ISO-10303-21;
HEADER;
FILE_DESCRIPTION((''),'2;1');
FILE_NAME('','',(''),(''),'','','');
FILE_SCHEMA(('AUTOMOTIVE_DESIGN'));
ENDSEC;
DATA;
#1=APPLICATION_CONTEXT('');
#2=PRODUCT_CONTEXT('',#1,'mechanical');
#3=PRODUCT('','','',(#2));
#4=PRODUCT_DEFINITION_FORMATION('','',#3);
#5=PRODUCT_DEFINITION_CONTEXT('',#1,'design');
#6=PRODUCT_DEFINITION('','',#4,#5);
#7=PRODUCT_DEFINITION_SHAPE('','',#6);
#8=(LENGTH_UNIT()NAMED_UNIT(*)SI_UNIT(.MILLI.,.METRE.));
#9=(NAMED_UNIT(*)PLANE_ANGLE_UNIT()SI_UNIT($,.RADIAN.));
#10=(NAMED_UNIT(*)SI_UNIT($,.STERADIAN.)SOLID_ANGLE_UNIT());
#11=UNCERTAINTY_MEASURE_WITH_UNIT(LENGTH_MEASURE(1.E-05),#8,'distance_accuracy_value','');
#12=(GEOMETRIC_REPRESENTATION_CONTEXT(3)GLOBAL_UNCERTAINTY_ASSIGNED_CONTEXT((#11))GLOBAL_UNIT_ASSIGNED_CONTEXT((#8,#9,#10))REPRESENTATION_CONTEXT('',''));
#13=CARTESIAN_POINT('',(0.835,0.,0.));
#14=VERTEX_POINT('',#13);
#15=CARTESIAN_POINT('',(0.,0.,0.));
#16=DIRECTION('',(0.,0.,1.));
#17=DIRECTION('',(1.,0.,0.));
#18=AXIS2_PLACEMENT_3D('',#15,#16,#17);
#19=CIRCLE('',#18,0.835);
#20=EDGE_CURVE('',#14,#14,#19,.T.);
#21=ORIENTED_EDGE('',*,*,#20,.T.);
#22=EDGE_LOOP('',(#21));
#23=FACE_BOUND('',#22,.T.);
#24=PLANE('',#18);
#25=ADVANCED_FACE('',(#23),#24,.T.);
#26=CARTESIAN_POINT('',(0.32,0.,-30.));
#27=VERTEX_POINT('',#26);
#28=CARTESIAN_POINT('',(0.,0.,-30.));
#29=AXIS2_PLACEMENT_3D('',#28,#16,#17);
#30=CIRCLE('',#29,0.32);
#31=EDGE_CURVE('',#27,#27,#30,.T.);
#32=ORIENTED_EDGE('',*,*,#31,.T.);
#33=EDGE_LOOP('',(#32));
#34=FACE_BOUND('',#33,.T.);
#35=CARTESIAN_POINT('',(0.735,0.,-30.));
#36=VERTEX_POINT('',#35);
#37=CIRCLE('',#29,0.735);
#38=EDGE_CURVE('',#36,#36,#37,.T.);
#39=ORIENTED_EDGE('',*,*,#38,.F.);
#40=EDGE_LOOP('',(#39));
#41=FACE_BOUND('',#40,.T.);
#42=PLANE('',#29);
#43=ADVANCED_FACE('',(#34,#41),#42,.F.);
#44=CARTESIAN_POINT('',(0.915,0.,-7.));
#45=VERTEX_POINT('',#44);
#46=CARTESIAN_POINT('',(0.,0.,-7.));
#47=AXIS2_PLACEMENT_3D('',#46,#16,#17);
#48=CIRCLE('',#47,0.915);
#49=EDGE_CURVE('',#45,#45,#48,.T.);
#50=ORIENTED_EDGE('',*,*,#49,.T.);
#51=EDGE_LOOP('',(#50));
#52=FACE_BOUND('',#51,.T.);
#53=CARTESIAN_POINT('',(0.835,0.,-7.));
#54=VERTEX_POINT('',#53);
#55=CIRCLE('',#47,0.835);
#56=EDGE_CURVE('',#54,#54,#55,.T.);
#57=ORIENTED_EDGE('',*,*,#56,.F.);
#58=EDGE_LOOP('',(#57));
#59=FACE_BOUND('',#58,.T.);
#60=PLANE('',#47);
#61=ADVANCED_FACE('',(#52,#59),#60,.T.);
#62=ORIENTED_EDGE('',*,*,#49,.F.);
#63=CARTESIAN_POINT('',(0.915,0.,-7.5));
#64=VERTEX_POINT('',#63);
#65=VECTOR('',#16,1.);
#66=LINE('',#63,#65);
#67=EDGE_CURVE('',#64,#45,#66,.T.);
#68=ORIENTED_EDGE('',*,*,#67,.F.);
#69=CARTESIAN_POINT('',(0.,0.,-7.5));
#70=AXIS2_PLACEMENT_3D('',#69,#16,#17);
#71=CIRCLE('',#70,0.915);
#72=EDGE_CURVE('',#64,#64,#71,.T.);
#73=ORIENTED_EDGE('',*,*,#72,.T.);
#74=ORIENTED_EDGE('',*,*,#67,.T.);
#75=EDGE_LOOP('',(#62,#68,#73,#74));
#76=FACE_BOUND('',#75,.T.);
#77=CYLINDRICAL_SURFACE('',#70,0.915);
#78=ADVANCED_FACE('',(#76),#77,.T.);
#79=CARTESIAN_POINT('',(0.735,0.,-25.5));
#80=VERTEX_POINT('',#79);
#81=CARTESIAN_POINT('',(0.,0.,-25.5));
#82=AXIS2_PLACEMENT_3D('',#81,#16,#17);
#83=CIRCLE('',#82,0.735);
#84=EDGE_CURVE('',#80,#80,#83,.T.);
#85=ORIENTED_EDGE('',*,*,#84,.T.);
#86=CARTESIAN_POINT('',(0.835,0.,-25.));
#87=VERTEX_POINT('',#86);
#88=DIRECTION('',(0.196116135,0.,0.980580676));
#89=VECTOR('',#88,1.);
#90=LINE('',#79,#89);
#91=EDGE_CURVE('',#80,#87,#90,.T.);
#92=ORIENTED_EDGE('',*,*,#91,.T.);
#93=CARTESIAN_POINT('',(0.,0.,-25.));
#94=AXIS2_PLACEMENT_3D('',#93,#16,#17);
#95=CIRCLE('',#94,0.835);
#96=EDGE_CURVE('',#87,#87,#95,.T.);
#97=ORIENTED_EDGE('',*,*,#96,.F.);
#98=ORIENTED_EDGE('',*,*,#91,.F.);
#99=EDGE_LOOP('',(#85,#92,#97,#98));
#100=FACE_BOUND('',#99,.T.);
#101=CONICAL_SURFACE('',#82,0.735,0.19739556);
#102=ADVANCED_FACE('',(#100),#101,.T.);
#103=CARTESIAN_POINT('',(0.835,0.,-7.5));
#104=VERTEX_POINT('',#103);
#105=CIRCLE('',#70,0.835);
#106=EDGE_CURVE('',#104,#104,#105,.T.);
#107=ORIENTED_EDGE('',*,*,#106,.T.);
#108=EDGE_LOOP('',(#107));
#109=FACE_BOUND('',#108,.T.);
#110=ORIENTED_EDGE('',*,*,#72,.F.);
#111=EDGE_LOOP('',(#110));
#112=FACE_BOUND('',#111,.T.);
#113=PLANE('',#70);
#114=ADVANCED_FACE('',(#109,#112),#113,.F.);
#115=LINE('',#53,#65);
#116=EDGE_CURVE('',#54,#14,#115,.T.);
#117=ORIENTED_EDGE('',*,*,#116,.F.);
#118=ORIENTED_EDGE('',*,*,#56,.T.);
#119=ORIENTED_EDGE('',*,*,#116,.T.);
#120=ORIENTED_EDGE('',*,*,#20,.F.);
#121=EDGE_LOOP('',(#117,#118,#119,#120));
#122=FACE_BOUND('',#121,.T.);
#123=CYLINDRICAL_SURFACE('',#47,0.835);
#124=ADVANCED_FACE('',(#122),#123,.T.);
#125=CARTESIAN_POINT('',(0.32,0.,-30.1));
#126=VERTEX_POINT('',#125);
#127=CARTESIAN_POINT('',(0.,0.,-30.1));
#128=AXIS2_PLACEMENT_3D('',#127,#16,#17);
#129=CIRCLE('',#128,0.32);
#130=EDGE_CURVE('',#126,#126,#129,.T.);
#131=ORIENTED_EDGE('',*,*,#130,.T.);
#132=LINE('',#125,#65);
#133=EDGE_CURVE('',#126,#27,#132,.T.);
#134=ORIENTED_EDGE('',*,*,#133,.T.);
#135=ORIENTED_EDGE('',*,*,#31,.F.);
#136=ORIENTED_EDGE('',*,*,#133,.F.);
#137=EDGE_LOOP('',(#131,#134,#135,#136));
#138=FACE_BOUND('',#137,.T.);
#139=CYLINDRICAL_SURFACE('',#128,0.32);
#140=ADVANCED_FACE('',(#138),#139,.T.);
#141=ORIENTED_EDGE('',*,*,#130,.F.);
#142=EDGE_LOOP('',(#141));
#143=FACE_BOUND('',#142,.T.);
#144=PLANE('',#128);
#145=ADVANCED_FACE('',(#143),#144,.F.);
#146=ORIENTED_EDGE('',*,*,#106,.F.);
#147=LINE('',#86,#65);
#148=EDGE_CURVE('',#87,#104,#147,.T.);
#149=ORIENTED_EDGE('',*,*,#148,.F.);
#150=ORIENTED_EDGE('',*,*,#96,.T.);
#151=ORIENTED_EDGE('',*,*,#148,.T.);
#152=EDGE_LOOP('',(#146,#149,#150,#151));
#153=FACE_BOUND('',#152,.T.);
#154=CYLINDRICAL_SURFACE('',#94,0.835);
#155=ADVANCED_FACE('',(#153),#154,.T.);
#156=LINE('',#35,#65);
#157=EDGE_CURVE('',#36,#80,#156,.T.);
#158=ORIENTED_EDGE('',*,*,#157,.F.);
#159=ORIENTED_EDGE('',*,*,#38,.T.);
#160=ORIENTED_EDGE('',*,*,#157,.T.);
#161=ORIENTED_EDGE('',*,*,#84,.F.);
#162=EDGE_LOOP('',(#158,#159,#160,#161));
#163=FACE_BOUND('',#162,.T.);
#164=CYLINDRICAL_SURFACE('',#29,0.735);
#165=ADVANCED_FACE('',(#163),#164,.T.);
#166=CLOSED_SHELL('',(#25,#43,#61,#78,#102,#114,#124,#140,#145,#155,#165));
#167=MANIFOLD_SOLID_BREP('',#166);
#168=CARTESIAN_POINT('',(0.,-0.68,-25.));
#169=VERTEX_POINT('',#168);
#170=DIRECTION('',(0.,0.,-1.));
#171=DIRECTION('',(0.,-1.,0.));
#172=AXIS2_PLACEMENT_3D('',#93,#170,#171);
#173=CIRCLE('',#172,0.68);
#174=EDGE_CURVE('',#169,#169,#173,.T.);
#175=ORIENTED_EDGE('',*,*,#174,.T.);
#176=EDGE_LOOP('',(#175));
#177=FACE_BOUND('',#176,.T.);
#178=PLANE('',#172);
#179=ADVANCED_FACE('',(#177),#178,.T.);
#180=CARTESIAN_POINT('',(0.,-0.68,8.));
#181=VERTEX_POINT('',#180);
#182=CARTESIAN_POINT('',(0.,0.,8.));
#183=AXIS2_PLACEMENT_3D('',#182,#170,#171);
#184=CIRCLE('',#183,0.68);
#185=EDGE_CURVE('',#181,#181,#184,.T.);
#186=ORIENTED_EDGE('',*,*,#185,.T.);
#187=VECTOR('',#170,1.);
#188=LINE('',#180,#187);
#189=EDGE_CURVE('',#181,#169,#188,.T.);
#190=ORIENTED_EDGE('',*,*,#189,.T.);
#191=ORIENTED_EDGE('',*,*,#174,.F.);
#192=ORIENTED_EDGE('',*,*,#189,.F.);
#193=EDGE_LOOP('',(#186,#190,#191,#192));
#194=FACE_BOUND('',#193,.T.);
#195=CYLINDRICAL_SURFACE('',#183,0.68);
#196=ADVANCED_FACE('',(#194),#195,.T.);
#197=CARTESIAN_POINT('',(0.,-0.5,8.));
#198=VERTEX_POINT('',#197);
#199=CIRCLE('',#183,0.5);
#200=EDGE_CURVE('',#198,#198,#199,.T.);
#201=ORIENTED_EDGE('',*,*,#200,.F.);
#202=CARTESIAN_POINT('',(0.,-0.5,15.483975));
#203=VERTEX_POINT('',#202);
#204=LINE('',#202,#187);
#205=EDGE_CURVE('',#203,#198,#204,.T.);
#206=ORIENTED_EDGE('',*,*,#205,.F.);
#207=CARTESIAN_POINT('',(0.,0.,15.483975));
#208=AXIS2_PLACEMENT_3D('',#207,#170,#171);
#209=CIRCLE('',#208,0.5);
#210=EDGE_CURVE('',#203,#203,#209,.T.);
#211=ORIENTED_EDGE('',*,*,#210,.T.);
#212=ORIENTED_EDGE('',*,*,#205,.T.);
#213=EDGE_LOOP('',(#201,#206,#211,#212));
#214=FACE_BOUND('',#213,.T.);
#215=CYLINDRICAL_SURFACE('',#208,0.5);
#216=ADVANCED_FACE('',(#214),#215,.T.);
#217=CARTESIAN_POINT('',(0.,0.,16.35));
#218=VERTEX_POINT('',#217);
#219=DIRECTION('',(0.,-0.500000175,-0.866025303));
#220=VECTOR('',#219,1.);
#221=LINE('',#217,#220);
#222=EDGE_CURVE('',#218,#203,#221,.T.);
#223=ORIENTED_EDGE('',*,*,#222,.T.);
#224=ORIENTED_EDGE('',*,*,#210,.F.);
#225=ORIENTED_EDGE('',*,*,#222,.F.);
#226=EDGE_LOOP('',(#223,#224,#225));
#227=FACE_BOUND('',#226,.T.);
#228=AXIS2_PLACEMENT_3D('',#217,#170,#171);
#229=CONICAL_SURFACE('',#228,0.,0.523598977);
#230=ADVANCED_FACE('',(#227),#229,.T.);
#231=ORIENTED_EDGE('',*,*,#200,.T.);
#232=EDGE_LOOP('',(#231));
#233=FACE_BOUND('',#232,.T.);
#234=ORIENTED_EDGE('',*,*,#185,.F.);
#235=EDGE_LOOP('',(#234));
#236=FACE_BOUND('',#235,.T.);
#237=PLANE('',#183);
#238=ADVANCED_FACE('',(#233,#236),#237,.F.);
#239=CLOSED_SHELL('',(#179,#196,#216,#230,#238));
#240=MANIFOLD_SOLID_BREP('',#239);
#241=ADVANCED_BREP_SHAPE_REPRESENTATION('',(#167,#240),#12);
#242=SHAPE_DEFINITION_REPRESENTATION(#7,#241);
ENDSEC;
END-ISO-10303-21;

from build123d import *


with BuildPart() as f1:
    # F0 (on Front) → F1 (revolve)
    with BuildSketch(Plane.XZ):
        Polygon((0.835, 0), (0, 0), (0, -30.1), (0.32, -30.1), (0.32, -30), (0.735, -30), (0.735, -25.5), (0.835, -25), (0.835, -7.5), (0.915, -7.5), (0.915, -7), (0.835, -7), align=None)
    revolve(axis=Axis((0, 0, -15.05), (0, 0, 1)))


with BuildPart() as f3:
    # F2 (on Right) → F3 (revolve)
    with BuildSketch(Plane.YZ):
        Polygon((0, -25), (0, 0), (0, 16.35), (-0.5, 15.483975), (-0.5, 8), (-0.68, 8), (-0.68, -25), align=None)
    revolve(axis=Axis((0, 0, 8.175), (0, 0, -1)))


solid = Compound([f1.part, f3.part])
